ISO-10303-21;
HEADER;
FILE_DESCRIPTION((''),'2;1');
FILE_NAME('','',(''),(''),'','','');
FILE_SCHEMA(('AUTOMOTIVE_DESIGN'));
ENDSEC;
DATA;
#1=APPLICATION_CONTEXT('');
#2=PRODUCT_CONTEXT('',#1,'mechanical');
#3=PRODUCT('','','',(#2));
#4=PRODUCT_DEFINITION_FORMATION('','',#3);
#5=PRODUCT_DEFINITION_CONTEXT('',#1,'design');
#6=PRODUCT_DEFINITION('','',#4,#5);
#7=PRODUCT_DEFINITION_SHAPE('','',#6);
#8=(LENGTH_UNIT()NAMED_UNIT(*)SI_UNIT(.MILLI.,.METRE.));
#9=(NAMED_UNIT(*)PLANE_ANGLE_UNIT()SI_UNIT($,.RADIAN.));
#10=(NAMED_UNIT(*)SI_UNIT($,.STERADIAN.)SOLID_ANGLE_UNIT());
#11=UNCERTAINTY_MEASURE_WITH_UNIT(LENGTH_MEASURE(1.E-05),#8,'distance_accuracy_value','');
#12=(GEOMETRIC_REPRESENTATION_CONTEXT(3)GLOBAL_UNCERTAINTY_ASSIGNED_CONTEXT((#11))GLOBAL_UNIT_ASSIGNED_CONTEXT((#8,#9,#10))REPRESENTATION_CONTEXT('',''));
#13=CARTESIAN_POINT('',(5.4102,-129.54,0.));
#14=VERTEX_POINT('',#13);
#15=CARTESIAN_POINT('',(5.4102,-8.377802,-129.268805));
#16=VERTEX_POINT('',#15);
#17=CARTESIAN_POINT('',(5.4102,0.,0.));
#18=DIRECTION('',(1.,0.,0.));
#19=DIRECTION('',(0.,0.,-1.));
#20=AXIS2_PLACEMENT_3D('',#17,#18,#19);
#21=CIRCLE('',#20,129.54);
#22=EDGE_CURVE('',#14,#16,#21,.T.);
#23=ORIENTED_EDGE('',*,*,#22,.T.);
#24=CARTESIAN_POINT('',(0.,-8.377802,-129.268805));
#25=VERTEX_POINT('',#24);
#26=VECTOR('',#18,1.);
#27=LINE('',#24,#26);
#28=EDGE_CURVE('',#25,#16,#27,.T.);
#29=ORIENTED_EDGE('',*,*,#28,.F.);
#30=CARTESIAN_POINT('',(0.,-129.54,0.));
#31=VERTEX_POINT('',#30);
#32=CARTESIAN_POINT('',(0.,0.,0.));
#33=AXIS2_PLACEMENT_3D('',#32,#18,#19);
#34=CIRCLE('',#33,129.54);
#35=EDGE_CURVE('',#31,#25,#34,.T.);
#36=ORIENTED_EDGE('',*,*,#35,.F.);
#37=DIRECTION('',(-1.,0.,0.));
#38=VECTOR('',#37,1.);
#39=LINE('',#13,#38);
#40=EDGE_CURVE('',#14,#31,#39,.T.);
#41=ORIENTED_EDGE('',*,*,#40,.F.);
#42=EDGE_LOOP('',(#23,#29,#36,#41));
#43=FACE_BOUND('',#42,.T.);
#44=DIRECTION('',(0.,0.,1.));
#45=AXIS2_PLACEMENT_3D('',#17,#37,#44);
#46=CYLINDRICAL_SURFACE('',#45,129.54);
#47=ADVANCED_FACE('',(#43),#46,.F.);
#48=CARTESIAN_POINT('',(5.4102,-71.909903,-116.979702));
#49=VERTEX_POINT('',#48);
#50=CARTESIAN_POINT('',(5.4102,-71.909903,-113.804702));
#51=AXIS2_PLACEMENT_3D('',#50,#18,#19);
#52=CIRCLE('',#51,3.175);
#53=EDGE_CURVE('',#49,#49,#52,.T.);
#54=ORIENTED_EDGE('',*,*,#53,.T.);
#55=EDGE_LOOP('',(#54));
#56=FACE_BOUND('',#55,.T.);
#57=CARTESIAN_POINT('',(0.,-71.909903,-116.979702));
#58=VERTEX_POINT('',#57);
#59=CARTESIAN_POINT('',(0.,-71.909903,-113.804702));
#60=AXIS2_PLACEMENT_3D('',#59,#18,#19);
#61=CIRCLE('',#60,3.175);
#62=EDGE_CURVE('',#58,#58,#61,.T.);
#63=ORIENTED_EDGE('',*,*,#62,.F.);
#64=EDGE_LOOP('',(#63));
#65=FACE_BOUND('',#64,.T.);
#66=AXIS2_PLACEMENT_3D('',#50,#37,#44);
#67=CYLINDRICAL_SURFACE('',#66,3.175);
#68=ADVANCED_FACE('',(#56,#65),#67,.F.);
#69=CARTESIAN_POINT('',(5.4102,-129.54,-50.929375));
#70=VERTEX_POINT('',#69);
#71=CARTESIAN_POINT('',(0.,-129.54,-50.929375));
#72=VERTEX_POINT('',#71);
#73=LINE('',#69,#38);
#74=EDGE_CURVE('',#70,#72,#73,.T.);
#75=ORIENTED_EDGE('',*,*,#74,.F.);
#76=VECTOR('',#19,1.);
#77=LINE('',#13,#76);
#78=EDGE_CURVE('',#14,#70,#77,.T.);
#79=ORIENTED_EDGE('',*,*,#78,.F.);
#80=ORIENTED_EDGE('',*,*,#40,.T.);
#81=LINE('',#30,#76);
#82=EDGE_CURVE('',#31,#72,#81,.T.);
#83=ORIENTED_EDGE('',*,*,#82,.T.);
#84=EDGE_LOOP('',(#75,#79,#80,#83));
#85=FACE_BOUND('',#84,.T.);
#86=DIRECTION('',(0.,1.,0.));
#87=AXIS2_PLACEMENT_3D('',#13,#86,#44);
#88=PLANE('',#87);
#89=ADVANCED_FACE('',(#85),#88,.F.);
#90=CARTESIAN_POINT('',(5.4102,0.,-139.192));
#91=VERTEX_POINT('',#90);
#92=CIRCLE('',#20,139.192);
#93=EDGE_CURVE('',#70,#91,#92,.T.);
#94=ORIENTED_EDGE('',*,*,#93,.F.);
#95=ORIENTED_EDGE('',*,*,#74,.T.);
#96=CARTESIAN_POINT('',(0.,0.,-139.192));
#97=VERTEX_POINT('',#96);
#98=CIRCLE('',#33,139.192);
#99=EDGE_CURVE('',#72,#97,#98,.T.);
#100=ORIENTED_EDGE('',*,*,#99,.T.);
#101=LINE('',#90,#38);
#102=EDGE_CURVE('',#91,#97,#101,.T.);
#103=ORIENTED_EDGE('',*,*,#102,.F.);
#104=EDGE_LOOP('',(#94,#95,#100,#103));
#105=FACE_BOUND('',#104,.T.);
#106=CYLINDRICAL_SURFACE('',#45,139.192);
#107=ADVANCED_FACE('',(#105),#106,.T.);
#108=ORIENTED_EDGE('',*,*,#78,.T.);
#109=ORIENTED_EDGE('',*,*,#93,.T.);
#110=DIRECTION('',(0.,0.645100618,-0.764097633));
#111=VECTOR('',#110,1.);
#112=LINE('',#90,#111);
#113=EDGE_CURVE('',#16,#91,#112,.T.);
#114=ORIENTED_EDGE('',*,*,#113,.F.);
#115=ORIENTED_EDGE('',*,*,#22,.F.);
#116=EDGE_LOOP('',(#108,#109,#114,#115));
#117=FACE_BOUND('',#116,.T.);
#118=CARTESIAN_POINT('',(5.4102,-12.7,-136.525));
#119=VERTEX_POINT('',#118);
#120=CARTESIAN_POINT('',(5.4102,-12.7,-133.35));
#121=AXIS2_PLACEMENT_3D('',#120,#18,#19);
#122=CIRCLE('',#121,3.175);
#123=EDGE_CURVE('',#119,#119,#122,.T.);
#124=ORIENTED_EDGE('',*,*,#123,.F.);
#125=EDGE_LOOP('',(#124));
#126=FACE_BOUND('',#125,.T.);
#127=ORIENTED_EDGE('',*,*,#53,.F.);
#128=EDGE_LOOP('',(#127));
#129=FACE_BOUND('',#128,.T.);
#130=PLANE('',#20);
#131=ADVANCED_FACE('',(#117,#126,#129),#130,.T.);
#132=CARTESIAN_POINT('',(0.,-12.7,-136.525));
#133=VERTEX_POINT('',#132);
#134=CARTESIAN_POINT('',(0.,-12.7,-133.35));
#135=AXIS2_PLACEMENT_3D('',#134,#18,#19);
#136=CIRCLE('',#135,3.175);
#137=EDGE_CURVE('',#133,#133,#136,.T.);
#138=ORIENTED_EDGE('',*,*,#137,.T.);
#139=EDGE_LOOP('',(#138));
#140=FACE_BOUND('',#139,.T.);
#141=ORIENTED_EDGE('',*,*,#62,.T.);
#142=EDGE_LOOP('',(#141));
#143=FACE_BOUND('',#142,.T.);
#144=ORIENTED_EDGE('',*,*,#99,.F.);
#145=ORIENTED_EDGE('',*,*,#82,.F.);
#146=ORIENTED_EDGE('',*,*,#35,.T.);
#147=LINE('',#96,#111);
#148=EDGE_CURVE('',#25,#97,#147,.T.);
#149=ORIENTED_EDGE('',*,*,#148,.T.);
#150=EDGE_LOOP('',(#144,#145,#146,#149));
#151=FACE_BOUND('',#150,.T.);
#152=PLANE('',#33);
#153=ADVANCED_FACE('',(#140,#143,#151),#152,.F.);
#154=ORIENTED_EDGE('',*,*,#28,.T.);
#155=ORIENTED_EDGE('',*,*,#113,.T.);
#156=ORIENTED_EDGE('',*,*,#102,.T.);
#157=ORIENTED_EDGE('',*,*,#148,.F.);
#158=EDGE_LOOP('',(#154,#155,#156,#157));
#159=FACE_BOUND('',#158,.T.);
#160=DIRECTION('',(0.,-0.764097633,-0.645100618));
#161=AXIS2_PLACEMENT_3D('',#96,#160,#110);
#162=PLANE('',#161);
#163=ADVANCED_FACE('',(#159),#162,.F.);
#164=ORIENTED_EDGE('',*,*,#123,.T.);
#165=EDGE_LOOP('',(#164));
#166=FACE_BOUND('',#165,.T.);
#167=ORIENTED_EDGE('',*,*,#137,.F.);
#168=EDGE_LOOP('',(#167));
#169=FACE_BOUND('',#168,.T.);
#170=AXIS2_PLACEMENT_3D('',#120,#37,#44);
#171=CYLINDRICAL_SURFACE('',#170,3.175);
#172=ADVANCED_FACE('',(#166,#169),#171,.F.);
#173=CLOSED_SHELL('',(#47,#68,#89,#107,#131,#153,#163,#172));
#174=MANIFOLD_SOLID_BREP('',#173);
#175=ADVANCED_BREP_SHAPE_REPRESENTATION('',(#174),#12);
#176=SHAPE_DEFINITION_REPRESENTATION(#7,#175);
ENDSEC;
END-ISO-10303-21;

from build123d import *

# Parameters (mm, degrees)
SKETCH1_R           = 3.175
BOSS_EXTRUDE2_DEPTH = 5.4102
CUT_EXTRUDE1_DEPTH  = 5.4102


with BuildPart() as part:
    # Sketch1 → Boss-Extrude2 (new body)
    with BuildSketch(Plane(origin=(0, 0, 0), x_dir=(0, 0, -1), z_dir=(1, 0, 0))):
        with BuildLine():
            ThreePointArc((109.510185389, -69.196321406), (62.517678, -113.455504659), (0, -129.54))
            Line((0, -129.54), (50.929375256, -129.54))
            ThreePointArc((50.929375256, -129.54), (115.029071249, -78.375542305), (139.192, 0))
            Line((139.192, 0), (129.54, 0))
            ThreePointArc((129.54, 0), (124.431830765, -36.01848265), (109.510185389, -69.196321406))
        make_face()
        with BuildLine():
            ThreePointArc((116.979702463, -71.909902638), (112.921896515, -74.959702412), (111.120629291, -70.213914368))
            ThreePointArc((111.120629291, -70.213914368), (114.68750841, -68.860102864), (116.979702463, -71.909902638))
        make_face(mode=Mode.SUBTRACT)
        with Locations((133.35, -12.7)):
            Circle(SKETCH1_R, mode=Mode.SUBTRACT)
    extrude(amount=BOSS_EXTRUDE2_DEPTH)

    # Sketch2 → Cut-Extrude1 (cut)
    with BuildSketch(Plane(origin=(5.4102, 0, 0), x_dir=(0, 0, -1), z_dir=(1, 0, 0))):
        Polygon((139.192, 0), (129.268805309, -8.37780246), (129.54, 0), align=None)
    extrude(amount=-CUT_EXTRUDE1_DEPTH, mode=Mode.SUBTRACT)


solid = part.part
